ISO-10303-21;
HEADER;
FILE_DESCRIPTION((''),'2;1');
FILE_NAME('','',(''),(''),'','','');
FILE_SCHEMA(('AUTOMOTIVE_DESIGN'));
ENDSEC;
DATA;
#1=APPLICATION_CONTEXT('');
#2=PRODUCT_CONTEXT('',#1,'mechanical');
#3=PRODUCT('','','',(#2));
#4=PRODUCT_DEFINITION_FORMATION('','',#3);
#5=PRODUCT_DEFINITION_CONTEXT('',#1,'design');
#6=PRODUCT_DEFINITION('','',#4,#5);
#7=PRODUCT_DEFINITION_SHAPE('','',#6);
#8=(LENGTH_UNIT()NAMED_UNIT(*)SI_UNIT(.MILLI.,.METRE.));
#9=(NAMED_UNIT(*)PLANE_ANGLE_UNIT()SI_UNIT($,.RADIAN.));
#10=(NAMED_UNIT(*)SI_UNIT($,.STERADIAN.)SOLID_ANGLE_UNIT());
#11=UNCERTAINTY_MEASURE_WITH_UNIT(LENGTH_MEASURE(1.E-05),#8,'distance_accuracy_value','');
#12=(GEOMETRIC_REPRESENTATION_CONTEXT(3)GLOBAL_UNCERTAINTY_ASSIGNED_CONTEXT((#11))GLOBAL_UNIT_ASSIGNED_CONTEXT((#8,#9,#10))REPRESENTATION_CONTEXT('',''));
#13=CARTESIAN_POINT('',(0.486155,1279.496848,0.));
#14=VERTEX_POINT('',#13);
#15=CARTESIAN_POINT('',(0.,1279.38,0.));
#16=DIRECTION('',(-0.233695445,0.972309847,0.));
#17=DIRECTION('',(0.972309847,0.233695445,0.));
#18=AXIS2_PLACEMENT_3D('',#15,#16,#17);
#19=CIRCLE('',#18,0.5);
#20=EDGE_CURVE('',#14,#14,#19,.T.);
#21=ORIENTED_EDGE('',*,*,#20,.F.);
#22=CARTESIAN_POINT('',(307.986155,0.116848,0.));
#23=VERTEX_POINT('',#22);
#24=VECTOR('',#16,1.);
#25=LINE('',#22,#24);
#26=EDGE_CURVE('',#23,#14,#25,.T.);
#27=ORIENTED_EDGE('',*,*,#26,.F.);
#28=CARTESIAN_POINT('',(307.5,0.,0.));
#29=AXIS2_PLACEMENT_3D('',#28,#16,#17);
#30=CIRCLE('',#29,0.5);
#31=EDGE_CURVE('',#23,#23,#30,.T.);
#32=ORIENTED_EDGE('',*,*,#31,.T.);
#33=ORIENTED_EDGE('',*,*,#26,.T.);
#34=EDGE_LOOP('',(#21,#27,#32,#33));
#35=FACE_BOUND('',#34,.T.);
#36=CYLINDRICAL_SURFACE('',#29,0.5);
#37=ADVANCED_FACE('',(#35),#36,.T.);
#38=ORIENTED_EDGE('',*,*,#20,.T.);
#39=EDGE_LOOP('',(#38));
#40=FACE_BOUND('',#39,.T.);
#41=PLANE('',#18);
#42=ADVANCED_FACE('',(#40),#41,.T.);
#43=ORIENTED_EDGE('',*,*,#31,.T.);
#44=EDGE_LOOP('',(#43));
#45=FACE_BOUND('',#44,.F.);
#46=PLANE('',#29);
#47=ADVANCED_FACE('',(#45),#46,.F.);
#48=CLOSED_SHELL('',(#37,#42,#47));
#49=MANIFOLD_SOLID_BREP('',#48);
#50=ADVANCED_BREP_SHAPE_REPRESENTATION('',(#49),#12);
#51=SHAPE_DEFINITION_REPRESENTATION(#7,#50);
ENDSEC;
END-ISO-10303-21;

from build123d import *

# Parameters (mm, degrees)
SWEEP_3_PROFILE_R = 0.5


with BuildPart() as part:
    # 扫描3: sweep along a path in 草图3
    with BuildLine(Plane.XY) as sweep_3_path:
        Line((307.5, 0), (0, 1279.38))
    # 扫描3 profile (on start of the path) → 扫描3 (sweep)
    with BuildSketch(Plane(origin=(307.5, 0, 0), x_dir=(0.972309847, 0.233695445, 0), z_dir=(-0.233695445, 0.972309847, 0))):
        Circle(SWEEP_3_PROFILE_R)
    sweep(path=sweep_3_path.line)


solid = part.part
